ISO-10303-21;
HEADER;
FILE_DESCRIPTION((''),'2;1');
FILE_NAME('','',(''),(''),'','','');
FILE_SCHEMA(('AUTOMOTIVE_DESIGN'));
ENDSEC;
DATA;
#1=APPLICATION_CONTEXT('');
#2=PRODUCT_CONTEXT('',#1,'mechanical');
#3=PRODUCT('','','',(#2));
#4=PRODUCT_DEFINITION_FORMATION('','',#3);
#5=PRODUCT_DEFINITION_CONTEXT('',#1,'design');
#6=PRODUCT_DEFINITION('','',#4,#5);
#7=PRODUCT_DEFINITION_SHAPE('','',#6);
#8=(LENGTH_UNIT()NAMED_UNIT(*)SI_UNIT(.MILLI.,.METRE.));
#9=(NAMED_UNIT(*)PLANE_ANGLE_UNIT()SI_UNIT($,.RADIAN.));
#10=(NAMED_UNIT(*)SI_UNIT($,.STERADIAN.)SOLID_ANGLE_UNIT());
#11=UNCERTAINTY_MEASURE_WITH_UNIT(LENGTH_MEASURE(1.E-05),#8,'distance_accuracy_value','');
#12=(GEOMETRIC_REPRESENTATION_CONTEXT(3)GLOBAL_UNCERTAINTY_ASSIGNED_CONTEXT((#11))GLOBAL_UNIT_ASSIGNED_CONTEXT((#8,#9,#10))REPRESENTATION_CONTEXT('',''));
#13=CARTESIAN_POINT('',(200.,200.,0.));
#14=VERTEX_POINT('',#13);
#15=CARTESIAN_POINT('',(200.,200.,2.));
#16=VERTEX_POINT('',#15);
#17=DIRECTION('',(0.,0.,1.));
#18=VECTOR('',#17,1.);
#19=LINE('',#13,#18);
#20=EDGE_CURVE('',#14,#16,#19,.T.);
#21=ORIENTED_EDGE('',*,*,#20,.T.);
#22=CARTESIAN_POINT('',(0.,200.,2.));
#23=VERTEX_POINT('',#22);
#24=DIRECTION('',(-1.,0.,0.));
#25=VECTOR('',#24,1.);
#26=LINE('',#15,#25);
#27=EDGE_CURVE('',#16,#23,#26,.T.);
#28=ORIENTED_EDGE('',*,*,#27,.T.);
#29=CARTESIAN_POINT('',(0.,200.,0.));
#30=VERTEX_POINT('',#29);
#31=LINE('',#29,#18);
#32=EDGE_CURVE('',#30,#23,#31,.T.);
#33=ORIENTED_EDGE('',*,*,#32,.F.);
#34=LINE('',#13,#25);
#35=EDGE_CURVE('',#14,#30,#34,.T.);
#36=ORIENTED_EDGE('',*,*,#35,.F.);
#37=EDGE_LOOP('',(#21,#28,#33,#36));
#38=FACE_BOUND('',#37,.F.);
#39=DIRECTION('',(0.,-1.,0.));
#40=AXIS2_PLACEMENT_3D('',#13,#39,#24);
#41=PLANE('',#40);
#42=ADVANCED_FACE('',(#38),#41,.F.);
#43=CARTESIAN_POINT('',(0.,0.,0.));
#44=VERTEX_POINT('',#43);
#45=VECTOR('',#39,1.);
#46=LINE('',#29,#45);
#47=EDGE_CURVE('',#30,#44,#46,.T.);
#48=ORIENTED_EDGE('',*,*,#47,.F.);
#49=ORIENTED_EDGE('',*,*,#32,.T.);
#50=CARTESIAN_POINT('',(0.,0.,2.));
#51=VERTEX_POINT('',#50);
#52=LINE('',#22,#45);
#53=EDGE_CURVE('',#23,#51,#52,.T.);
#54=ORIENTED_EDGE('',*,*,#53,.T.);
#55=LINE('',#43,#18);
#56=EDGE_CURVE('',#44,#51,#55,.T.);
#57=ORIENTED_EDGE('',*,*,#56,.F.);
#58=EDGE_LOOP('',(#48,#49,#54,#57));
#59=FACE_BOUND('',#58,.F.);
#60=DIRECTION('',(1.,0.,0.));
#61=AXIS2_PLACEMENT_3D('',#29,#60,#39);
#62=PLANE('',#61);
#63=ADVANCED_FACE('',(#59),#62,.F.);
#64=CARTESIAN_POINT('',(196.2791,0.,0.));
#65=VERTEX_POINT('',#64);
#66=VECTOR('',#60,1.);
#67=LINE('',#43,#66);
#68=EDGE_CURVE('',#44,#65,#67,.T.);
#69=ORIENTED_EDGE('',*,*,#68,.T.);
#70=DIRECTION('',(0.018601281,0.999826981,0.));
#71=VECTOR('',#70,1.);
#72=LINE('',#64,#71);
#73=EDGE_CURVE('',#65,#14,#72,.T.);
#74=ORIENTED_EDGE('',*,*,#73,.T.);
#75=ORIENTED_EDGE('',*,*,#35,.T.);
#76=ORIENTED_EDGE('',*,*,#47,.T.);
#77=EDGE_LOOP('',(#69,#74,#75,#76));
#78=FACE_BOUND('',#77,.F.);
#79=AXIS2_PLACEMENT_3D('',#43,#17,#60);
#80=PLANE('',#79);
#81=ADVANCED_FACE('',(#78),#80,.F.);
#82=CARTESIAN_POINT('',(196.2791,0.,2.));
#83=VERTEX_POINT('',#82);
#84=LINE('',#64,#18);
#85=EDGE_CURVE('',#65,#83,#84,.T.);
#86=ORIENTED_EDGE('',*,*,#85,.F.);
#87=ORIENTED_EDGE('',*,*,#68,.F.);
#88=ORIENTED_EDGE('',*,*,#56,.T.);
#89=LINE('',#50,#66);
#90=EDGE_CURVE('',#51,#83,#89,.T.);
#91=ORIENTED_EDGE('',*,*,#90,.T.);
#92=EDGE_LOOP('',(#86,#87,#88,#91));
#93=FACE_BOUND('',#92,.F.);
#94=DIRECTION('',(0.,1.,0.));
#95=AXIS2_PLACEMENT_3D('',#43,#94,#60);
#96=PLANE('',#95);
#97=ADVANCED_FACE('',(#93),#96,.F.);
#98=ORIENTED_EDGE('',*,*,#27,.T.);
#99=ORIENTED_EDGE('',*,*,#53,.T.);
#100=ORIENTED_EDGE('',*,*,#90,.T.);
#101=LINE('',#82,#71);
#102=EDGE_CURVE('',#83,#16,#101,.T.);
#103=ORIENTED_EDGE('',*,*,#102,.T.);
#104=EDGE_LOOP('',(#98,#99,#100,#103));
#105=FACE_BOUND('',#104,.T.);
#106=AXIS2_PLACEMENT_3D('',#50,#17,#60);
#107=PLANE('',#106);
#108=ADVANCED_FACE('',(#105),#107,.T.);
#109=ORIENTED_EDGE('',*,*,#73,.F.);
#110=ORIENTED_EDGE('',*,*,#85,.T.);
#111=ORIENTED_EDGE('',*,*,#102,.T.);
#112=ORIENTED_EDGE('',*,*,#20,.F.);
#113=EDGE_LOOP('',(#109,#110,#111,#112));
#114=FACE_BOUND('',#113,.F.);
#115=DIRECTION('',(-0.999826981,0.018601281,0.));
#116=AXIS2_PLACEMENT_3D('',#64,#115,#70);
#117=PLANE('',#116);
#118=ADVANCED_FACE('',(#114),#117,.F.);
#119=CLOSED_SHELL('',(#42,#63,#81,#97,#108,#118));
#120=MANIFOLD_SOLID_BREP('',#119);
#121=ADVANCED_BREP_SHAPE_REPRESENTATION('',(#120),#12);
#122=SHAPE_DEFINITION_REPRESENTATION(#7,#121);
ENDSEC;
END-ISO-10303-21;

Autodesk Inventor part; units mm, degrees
ref_plane "YZ Plane" through (0, 0, 0) normal (1, 0, 0) x (0, 1, 0)
ref_plane "XZ Plane" through (0, 0, 0) normal (0, 1, 0) x (-1, 0, 0)
ref_plane "XY Plane" through (0, 0, 0) normal (0, 0, 1) x (1, 0, 0)
sketch "Sketch1" plane through (0, 0, 0) normal (0, 0, 1) x (1, 0, 0)
  line L0 (0, 0) -> (196.2791, 0)
  line L1 (196.2791, 0) -> (200, 200)
  line L2 (200, 200) -> (0, 200)
  line L3 (0, 200) -> (0, 0)
  dimension "d0" = 200
  dimension "d1" = 200
extrude "Extrusion1" add sketch "Sketch1" along normal blind 2
properties part number "klein plaat"
